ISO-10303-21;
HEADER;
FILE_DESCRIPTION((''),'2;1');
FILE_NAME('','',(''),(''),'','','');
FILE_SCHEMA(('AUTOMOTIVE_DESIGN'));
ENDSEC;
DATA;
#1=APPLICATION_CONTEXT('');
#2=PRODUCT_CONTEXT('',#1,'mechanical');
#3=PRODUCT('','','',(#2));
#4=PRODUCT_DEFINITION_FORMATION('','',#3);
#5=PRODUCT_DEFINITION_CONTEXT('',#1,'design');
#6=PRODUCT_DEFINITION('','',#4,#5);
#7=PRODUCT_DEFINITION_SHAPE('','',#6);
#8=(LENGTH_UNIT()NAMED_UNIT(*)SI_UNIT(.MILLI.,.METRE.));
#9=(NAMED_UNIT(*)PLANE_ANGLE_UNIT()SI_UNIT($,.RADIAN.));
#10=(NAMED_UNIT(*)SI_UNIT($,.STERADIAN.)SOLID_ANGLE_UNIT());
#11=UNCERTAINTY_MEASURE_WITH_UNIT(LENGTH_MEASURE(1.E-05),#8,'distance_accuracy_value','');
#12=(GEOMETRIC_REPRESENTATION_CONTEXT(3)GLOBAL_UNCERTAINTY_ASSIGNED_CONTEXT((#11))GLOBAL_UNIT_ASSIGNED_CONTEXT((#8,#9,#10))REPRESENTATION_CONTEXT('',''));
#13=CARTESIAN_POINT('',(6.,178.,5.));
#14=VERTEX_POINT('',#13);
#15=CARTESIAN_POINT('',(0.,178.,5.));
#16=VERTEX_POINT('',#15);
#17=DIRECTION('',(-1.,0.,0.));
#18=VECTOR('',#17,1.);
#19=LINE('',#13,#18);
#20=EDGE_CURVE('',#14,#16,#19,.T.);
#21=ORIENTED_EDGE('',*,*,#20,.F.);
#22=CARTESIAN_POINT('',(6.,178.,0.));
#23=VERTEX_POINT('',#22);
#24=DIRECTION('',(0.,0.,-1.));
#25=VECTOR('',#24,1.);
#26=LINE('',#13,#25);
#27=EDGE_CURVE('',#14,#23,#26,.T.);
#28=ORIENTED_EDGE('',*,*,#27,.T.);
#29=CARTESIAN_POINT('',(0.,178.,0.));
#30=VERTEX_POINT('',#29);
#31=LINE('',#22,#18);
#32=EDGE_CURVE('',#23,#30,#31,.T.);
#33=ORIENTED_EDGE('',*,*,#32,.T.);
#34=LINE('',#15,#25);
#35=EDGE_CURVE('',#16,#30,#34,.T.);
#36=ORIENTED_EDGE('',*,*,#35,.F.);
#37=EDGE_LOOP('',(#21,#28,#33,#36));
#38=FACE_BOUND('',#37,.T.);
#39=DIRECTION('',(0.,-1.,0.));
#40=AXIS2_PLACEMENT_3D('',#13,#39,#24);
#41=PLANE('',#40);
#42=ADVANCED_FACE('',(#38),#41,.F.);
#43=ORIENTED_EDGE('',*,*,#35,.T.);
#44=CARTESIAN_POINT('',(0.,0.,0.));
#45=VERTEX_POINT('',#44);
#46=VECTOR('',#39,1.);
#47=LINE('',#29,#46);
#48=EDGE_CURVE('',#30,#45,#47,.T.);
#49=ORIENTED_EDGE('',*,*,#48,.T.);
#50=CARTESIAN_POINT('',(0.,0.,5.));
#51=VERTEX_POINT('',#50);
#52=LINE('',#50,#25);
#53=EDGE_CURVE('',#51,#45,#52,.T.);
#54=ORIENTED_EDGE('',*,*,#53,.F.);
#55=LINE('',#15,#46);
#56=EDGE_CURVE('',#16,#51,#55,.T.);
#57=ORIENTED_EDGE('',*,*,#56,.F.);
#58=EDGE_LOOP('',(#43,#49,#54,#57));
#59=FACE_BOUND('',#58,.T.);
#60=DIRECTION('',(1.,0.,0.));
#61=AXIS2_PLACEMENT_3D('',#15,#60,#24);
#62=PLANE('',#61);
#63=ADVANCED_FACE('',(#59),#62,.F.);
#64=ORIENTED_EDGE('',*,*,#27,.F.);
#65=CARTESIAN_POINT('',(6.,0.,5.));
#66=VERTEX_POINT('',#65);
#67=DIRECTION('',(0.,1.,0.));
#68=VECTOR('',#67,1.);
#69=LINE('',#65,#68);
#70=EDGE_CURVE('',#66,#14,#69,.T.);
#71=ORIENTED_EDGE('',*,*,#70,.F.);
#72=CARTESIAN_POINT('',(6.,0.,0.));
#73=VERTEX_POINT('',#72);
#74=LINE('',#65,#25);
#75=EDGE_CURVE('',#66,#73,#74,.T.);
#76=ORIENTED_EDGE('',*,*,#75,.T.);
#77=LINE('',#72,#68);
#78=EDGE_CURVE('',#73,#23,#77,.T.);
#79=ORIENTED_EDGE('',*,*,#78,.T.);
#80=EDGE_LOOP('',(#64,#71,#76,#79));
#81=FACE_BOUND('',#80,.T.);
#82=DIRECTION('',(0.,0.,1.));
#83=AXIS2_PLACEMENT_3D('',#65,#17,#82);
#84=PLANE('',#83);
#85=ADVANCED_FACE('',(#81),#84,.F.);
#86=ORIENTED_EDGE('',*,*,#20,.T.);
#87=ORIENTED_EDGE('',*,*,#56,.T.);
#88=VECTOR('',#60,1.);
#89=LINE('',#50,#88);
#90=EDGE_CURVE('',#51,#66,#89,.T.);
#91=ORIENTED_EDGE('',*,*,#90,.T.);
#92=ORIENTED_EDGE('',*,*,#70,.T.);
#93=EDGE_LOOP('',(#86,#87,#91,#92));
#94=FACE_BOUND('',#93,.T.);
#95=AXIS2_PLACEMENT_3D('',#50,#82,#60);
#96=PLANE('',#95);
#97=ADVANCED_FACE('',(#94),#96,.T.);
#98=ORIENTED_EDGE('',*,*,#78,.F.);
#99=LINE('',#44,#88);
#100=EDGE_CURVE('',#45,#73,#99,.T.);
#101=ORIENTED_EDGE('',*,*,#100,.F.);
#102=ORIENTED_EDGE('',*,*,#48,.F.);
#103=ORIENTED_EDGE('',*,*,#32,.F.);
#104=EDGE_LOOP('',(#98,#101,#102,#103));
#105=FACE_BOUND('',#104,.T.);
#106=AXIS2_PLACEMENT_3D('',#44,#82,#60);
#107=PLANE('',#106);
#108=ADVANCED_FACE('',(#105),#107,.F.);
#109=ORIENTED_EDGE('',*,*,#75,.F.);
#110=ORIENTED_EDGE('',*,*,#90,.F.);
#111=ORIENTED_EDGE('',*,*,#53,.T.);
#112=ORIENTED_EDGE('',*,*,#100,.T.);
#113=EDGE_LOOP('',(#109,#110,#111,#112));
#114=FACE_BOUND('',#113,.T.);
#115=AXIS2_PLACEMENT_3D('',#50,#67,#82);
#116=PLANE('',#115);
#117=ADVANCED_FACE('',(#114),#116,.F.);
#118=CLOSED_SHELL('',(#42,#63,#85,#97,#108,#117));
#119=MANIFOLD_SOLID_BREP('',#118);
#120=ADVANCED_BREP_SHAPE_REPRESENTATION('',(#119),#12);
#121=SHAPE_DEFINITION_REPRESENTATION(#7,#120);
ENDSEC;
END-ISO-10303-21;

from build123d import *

# Parameters (mm, degrees)
SKETCH_1_W          = 6
SKETCH_1_H          = 178
FIXED_UPRIGHT_DEPTH = 5


with BuildPart() as part:
    # 草图1 → Fixed_upright (new body)
    with BuildSketch(Plane.XY):
        with Locations((3, 89)):
            Rectangle(SKETCH_1_W, SKETCH_1_H)
    extrude(amount=FIXED_UPRIGHT_DEPTH)


solid = part.part
